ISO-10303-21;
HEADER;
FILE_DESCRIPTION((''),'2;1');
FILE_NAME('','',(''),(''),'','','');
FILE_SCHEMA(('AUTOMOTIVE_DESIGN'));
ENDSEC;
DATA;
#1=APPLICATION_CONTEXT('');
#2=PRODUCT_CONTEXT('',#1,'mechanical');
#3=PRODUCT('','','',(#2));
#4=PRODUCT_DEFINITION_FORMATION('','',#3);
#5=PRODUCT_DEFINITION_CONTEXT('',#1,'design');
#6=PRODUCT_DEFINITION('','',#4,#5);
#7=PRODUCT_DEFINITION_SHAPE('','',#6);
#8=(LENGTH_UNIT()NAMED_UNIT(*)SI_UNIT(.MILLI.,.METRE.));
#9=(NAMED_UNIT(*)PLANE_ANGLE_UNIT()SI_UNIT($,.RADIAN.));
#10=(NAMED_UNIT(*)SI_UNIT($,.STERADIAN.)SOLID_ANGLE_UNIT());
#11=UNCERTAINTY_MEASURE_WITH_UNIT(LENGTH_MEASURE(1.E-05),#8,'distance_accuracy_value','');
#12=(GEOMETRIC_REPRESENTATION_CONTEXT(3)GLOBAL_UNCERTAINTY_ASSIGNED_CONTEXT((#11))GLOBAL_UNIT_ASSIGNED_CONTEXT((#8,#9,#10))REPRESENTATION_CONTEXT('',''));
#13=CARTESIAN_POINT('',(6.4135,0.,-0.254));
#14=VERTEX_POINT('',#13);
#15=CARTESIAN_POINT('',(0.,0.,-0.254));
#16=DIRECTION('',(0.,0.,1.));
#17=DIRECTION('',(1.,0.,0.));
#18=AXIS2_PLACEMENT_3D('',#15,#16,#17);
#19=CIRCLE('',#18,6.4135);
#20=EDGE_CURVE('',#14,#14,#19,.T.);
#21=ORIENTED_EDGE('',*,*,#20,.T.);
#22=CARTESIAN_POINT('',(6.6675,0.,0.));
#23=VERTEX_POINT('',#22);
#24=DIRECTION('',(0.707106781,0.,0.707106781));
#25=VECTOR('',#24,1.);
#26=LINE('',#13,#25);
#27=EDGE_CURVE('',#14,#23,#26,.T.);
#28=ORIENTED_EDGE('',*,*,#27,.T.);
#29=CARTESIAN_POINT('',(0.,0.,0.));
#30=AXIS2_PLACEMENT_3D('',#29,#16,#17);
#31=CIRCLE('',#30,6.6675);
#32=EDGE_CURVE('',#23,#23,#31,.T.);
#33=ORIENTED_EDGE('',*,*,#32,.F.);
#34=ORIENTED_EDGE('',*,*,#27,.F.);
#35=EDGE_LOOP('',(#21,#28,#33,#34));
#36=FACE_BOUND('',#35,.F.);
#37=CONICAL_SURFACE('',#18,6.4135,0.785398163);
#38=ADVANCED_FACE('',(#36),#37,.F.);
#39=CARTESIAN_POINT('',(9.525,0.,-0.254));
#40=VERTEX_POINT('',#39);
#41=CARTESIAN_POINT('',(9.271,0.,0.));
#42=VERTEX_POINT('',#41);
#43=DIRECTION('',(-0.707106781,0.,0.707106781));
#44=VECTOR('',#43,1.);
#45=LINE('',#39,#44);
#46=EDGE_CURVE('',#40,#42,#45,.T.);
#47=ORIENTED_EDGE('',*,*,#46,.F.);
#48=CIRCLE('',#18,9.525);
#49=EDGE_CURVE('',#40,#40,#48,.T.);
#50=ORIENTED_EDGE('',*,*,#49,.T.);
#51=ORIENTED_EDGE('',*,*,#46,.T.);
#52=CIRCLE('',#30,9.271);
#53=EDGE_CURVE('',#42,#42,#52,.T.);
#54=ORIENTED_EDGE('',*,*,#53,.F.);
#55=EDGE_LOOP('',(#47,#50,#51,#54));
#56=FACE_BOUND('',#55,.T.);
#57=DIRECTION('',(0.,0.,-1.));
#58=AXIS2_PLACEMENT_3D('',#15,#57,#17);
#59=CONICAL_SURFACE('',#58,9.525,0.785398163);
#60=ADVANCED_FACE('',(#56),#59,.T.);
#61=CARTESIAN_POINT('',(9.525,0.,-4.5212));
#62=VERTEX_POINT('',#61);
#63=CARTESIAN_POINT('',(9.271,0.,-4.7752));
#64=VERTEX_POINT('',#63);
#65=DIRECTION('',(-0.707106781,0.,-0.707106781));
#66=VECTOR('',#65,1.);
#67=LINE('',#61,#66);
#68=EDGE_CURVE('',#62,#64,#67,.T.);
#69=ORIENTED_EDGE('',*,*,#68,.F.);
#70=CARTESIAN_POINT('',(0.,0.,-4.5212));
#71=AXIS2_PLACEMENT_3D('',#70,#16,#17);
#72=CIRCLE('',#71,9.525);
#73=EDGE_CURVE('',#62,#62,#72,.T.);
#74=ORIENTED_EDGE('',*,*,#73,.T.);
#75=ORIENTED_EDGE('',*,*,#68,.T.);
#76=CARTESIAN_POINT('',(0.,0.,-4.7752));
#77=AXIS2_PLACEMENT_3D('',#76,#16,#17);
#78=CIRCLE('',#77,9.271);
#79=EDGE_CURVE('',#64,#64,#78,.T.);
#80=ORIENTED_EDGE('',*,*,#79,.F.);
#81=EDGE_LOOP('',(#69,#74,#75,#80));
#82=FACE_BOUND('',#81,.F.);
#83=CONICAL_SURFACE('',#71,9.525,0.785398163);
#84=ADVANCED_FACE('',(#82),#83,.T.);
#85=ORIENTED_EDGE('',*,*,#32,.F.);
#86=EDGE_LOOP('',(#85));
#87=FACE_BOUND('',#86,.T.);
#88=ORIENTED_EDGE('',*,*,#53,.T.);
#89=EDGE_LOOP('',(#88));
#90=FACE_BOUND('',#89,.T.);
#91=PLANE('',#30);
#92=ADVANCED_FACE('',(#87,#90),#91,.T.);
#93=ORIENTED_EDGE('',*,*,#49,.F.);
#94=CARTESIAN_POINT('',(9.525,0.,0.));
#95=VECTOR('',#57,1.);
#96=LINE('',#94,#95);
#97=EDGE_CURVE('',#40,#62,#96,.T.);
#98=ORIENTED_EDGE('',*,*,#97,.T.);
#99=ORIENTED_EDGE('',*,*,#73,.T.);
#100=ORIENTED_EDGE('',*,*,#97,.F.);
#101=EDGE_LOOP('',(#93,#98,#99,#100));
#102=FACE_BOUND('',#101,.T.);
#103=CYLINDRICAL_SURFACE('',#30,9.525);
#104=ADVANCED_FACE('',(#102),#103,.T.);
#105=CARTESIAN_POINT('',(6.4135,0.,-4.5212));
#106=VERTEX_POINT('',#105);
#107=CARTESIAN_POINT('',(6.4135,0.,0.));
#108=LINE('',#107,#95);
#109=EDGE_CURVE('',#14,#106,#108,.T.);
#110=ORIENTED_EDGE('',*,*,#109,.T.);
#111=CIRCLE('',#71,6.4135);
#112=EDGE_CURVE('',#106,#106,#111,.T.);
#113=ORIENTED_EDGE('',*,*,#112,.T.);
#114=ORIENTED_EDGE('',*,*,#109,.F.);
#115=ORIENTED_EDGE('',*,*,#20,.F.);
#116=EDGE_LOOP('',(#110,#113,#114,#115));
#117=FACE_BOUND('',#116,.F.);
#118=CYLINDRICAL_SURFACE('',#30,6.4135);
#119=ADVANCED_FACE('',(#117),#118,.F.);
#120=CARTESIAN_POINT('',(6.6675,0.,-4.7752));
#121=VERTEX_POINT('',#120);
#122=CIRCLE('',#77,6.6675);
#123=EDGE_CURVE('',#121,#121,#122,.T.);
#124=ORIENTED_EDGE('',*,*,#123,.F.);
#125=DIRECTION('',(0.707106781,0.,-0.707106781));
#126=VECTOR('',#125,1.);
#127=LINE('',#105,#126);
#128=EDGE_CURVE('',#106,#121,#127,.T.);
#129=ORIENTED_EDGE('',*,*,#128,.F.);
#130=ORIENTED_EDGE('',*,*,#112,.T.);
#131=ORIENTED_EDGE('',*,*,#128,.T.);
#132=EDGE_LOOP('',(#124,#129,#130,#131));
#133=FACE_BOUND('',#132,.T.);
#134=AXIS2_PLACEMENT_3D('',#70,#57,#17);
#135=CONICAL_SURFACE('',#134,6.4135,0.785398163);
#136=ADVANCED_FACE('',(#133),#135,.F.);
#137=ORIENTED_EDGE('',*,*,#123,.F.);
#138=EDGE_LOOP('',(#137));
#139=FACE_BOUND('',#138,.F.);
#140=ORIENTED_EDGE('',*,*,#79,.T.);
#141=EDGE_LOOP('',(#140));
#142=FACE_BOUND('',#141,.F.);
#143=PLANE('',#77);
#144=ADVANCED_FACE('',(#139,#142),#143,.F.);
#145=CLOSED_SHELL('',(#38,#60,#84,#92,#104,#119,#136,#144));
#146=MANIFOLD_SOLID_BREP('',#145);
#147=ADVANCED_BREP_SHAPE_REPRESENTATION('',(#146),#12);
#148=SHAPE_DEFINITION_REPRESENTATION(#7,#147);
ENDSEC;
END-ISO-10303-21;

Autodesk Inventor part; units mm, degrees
ref_plane "YZ Plane" through (0, 0, 0) normal (1, 0, 0) x (0, 1, 0)
ref_plane "XZ Plane" through (0, 0, 0) normal (0, 1, 0) x (-1, 0, 0)
ref_plane "XY Plane" through (0, 0, 0) normal (0, 0, 1) x (1, 0, 0)
sketch "Sketch1" plane through (0, 0, 0) normal (0, 0, 1) x (1, 0, 0)
  circle A0 centre (0, 0) radius 6.4135
  circle A1 centre (0, 0) radius 9.525
  dimension "d0" = 12.827
  dimension "d1" = 19.05
extrude "Extrusion1" add sketch "Sketch1" against normal blind 4.7752
chamfer "Chamfer1" distance 0.254 angle 45 4 edges at (-9.525, 0, 0) (-6.4135, 0, 0) (-9.525, 0, -4.7752) (-6.4135, 0, -4.7752)
properties part number "am-1181" material "Nylon-6/6"
